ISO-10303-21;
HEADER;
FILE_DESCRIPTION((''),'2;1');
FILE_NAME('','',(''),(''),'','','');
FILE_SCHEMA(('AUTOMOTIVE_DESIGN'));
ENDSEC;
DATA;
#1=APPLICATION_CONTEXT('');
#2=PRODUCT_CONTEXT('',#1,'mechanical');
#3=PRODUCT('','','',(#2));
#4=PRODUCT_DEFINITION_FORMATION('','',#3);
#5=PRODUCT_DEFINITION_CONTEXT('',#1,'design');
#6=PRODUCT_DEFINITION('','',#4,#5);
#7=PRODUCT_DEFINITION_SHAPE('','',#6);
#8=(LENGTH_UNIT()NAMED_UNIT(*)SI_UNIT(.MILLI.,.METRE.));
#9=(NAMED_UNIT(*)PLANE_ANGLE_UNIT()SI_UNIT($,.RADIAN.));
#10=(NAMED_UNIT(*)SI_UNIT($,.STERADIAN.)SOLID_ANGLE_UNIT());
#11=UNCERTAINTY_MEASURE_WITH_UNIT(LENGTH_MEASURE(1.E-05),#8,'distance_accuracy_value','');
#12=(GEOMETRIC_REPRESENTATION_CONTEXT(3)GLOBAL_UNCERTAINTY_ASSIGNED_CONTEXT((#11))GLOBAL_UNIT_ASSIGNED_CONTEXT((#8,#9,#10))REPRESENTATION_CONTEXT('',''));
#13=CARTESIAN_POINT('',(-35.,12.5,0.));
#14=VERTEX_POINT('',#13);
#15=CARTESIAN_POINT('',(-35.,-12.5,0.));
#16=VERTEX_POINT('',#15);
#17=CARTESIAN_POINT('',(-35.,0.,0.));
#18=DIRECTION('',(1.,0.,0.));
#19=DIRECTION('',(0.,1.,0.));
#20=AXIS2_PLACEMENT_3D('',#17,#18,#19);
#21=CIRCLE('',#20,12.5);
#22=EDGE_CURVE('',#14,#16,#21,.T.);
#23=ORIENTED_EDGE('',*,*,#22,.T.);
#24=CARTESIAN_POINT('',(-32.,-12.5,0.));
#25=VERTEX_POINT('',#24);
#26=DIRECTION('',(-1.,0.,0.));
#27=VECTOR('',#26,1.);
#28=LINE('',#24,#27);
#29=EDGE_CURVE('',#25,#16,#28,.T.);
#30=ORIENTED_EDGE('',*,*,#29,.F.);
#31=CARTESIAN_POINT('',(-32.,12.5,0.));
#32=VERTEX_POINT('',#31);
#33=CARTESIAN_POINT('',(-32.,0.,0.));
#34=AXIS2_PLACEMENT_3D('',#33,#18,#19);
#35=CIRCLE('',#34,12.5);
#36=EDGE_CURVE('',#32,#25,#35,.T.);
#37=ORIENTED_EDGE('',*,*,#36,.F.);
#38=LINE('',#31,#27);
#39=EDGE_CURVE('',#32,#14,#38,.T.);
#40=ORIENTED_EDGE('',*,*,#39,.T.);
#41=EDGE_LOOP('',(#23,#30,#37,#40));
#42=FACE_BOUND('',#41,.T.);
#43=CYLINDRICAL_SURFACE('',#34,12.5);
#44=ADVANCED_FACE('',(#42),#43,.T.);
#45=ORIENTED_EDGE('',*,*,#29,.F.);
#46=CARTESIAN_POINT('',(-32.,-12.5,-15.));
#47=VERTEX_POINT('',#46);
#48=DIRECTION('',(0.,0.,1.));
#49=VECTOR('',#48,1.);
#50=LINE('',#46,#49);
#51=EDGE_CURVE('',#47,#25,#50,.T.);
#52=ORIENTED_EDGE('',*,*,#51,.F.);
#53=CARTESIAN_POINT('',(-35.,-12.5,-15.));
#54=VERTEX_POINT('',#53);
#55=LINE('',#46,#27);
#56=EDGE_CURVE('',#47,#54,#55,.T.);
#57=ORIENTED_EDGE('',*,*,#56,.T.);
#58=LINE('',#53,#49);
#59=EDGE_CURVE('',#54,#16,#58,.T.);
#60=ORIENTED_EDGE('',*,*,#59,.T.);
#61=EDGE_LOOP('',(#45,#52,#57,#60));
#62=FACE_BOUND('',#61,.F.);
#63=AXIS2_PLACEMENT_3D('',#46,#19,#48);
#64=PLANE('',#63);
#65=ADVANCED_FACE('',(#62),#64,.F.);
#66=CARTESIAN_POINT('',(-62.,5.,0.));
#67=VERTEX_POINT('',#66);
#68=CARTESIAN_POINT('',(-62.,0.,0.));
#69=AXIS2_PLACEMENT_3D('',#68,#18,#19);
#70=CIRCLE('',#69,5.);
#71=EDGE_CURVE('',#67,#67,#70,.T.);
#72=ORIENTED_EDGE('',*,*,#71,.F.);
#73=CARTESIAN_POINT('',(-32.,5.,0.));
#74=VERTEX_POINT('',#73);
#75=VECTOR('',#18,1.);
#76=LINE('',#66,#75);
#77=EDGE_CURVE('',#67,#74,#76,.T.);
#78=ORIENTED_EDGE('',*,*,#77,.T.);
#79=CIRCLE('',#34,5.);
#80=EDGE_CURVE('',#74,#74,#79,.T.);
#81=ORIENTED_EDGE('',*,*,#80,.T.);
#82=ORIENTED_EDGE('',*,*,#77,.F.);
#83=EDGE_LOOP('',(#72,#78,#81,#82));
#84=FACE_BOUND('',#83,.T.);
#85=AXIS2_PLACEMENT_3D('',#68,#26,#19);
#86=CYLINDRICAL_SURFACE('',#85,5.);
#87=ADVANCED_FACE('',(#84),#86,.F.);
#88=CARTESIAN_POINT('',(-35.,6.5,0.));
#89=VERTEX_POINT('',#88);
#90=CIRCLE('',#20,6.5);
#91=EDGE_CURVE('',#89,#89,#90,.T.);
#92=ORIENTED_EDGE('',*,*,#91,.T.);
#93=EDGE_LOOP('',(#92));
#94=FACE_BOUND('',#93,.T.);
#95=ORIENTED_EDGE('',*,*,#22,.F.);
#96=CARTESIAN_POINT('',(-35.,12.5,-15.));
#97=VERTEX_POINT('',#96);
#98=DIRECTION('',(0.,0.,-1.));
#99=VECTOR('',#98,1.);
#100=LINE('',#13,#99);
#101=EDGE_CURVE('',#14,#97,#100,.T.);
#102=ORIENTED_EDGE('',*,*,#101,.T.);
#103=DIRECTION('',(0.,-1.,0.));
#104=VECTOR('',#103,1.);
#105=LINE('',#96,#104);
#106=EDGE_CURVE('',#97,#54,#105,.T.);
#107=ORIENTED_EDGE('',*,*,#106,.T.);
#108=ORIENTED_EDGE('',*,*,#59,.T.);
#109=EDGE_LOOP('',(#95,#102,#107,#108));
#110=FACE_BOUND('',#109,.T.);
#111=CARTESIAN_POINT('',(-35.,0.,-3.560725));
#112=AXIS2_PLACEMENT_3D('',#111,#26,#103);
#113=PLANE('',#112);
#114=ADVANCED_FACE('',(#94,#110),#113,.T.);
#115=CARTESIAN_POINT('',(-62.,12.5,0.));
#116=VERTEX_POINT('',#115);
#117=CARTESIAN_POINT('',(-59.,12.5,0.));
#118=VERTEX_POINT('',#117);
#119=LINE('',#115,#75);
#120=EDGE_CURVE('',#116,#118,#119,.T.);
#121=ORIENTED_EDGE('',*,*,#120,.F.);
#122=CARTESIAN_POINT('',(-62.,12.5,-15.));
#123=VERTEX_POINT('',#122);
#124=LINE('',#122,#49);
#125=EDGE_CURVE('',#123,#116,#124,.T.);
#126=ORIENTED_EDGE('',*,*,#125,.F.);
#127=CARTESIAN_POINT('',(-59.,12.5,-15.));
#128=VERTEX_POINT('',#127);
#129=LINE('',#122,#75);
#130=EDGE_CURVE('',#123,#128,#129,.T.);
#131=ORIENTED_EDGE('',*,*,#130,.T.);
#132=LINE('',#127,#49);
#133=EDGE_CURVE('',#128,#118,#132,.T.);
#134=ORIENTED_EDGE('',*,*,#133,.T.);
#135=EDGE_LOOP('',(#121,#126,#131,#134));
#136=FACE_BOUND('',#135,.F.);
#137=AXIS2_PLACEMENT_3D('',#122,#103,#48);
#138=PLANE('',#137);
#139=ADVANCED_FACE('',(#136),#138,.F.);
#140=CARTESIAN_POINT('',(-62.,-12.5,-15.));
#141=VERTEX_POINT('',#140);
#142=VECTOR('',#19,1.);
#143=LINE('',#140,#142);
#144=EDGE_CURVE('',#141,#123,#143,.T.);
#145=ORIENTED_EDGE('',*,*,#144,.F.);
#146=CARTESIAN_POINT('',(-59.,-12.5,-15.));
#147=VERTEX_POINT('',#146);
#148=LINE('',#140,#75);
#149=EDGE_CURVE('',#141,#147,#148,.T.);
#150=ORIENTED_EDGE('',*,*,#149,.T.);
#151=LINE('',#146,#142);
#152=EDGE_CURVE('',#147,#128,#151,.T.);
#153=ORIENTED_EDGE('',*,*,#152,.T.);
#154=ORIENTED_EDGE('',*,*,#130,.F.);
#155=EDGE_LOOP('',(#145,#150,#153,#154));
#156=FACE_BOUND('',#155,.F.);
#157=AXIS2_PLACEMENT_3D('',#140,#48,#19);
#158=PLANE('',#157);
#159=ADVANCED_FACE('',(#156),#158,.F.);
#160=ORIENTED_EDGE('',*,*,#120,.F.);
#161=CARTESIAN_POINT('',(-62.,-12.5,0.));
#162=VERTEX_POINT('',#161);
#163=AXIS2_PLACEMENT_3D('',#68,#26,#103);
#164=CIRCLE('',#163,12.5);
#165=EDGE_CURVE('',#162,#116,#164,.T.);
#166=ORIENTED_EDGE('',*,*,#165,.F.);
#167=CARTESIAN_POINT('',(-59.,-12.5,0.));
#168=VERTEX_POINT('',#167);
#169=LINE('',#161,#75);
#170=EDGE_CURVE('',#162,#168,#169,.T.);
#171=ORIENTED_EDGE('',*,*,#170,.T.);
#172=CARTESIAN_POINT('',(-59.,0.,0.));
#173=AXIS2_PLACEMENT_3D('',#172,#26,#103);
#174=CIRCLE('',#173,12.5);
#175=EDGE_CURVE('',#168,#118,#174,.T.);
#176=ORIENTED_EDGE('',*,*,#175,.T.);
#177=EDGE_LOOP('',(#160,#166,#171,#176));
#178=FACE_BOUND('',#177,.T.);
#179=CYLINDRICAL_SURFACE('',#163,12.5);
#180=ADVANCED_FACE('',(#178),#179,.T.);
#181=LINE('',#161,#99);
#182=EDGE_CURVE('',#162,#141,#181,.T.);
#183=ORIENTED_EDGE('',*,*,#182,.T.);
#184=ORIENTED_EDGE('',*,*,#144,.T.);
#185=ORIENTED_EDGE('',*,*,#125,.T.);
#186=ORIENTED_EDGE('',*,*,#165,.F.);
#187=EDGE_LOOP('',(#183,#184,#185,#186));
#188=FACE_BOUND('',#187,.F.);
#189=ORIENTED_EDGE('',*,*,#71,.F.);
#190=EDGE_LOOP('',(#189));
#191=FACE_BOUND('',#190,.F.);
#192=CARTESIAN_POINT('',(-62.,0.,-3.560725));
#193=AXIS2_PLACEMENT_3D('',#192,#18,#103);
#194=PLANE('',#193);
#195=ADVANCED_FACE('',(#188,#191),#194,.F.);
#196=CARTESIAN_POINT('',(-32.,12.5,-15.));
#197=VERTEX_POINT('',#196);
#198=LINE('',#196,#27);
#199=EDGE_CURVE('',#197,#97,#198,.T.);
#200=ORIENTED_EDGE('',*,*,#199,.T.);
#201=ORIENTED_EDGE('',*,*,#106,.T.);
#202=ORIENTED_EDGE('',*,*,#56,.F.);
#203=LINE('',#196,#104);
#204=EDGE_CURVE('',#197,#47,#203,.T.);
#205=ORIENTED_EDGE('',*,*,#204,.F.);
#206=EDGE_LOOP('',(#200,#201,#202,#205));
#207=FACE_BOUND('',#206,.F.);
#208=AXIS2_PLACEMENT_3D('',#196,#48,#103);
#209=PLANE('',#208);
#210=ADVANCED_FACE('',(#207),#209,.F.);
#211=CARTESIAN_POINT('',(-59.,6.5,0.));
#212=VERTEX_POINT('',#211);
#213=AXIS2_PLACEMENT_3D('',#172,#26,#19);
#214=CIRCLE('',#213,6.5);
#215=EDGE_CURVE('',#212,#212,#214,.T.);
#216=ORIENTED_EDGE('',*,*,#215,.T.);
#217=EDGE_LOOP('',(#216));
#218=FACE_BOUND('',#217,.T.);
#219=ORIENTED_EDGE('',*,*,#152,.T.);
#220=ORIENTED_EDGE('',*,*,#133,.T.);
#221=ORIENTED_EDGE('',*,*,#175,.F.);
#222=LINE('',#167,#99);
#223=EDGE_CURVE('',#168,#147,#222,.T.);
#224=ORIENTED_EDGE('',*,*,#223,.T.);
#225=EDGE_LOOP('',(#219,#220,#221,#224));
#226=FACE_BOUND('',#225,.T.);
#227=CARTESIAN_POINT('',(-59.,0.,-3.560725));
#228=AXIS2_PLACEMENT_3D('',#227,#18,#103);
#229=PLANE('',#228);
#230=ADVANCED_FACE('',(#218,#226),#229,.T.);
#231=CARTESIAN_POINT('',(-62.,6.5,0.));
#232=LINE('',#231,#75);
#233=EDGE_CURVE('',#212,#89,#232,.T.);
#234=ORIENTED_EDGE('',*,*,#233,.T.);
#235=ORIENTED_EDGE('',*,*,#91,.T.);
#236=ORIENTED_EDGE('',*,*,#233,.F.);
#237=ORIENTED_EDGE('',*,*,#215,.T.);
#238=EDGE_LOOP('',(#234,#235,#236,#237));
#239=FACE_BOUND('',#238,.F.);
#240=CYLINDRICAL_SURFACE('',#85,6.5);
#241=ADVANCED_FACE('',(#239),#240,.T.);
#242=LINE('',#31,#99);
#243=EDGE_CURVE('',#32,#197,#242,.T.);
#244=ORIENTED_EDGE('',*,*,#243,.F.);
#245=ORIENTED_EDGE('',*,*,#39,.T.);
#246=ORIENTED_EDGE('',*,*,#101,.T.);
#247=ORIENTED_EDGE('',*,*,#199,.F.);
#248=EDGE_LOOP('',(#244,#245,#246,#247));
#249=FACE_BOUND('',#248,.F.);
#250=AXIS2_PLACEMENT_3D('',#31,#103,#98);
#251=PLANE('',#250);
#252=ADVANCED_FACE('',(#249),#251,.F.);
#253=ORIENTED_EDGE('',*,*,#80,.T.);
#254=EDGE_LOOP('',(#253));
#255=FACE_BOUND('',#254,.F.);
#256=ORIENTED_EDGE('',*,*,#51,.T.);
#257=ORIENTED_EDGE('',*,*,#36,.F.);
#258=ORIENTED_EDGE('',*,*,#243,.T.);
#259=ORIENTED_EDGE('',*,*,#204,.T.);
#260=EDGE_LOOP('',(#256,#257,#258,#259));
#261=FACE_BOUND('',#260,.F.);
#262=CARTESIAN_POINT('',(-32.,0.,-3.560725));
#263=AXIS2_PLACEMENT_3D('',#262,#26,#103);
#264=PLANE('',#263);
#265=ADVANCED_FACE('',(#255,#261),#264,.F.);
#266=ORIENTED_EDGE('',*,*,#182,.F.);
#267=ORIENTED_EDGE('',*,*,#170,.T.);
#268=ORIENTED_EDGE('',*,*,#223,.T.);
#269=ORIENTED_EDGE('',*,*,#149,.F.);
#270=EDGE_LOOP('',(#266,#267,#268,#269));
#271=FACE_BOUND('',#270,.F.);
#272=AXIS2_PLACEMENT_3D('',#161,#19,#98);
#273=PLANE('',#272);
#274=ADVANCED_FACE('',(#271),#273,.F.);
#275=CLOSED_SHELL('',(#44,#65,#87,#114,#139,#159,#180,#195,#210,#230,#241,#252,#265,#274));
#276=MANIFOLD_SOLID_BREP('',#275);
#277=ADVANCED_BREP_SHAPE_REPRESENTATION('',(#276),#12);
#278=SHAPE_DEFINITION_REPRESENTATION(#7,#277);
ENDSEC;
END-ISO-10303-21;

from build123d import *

# Parameters (mm, degrees)
SKETCH106_R   = 6.5
SKETCH106_R_2 = 5
PAD071_DEPTH  = 30
SKETCH107_R   = 6.5
PAD074_DEPTH  = 3
SKETCH108_R   = 6.5
PAD075_DEPTH  = 3


with BuildPart() as part:
    # Sketch106 → Pad071 (new body)
    with BuildSketch(Plane.YZ):
        Circle(SKETCH106_R)
        Circle(SKETCH106_R_2, mode=Mode.SUBTRACT)
    extrude(amount=PAD071_DEPTH)

    # Sketch107 (on Face3 of Pad071) → Pad074 (join)
    with BuildSketch(Plane(origin=(0, 0, 0), x_dir=(0, 1, 0), z_dir=(-1, 0, 0))):
        with BuildLine():
            Line((-12.5, 15), (12.5, 15))
            Line((12.5, 15), (12.5, 0))
            ThreePointArc((-12.5, 0), (0, -12.5), (12.5, 0))
            Line((-12.5, 0), (-12.5, 15))
        make_face()
        Circle(SKETCH107_R, mode=Mode.SUBTRACT)
    extrude(amount=-PAD074_DEPTH)

    # Sketch108 (on Face3 of Pad074) → Pad075 (join)
    with BuildSketch(Plane.YZ.offset(30)):
        with BuildLine():
            Line((-12.5, -15), (-12.5, 0))
            ThreePointArc((12.5, 0), (0, 12.5), (-12.5, 0))
            Line((12.5, 0), (12.5, -15))
            Line((12.5, -15), (-12.5, -15))
        make_face()
        Circle(SKETCH108_R, mode=Mode.SUBTRACT)
    extrude(amount=-PAD075_DEPTH)


with BuildPart() as part_1:
    # Body045 placement: moved
    add(part.part.moved(Location((-62, 0, 0))))


solid = part_1.part
